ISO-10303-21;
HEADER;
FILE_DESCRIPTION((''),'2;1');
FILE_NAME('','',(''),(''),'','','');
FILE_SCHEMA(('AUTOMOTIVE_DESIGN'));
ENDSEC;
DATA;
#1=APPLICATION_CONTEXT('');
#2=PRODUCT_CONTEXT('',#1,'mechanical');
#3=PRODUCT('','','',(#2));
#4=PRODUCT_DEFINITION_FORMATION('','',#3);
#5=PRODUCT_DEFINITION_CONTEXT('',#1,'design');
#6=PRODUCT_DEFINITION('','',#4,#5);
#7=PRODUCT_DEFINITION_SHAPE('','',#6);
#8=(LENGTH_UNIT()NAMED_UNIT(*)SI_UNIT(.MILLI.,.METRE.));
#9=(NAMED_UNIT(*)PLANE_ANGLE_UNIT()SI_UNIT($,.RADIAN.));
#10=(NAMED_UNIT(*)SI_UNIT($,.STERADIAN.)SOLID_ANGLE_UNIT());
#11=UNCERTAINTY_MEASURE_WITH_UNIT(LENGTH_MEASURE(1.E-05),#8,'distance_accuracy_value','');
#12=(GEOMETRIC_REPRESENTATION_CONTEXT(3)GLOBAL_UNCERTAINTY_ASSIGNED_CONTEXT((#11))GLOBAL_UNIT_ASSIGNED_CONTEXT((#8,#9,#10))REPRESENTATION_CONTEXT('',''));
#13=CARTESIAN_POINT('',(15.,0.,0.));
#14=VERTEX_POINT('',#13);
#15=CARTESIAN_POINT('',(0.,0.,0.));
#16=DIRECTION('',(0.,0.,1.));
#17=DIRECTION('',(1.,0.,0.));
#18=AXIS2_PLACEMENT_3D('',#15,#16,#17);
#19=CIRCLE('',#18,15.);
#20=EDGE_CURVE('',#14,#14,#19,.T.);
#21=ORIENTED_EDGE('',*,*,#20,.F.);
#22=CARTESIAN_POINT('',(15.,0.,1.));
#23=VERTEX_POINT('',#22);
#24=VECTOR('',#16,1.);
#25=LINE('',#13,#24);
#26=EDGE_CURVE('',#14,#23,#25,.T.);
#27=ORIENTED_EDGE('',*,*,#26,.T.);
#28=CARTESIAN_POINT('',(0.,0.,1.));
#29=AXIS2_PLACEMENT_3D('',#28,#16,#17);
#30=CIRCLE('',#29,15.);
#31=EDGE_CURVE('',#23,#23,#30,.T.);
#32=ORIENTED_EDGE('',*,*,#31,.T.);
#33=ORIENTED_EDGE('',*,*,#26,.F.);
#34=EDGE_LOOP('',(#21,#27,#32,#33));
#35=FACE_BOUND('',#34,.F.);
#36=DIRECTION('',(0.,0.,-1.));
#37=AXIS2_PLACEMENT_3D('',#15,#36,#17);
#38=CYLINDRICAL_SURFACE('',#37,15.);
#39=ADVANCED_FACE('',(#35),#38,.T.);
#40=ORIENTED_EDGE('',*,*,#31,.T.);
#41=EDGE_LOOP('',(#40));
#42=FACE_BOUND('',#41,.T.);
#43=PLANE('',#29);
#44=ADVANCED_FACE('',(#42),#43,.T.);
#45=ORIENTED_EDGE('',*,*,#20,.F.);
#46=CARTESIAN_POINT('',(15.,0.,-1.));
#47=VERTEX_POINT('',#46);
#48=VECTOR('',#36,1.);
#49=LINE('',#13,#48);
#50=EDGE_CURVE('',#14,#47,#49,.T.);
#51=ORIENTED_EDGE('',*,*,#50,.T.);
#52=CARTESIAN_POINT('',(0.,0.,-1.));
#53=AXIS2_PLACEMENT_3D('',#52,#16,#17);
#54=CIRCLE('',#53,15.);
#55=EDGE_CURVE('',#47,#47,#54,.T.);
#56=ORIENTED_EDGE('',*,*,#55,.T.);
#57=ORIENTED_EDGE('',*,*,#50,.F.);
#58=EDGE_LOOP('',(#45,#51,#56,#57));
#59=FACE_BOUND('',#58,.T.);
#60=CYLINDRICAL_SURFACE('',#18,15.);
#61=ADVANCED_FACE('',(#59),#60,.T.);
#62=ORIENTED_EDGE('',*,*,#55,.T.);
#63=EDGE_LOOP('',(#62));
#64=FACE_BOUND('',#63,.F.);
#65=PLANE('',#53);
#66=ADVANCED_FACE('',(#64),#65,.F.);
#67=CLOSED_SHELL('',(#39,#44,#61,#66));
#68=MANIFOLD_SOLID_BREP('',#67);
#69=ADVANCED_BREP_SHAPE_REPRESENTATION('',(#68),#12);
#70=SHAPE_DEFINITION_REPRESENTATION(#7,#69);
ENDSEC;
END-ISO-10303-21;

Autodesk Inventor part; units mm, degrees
ref_plane "YZ Plane" through (0, 0, 0) normal (1, 0, 0) x (0, 1, 0)
ref_plane "XZ Plane" through (0, 0, 0) normal (0, 1, 0) x (-1, 0, 0)
ref_plane "XY Plane" through (0, 0, 0) normal (0, 0, 1) x (1, 0, 0)
sketch "Skizze1" plane through (0, 0, 0) normal (0, 0, 1) x (1, 0, 0)
  circle A0 centre (0, 0) radius 15
  dimension "d0" = 30
extrude "Extrusion1" add sketch "Skizze1" along normal mid plane 2
properties part number "diffusor ppma"
